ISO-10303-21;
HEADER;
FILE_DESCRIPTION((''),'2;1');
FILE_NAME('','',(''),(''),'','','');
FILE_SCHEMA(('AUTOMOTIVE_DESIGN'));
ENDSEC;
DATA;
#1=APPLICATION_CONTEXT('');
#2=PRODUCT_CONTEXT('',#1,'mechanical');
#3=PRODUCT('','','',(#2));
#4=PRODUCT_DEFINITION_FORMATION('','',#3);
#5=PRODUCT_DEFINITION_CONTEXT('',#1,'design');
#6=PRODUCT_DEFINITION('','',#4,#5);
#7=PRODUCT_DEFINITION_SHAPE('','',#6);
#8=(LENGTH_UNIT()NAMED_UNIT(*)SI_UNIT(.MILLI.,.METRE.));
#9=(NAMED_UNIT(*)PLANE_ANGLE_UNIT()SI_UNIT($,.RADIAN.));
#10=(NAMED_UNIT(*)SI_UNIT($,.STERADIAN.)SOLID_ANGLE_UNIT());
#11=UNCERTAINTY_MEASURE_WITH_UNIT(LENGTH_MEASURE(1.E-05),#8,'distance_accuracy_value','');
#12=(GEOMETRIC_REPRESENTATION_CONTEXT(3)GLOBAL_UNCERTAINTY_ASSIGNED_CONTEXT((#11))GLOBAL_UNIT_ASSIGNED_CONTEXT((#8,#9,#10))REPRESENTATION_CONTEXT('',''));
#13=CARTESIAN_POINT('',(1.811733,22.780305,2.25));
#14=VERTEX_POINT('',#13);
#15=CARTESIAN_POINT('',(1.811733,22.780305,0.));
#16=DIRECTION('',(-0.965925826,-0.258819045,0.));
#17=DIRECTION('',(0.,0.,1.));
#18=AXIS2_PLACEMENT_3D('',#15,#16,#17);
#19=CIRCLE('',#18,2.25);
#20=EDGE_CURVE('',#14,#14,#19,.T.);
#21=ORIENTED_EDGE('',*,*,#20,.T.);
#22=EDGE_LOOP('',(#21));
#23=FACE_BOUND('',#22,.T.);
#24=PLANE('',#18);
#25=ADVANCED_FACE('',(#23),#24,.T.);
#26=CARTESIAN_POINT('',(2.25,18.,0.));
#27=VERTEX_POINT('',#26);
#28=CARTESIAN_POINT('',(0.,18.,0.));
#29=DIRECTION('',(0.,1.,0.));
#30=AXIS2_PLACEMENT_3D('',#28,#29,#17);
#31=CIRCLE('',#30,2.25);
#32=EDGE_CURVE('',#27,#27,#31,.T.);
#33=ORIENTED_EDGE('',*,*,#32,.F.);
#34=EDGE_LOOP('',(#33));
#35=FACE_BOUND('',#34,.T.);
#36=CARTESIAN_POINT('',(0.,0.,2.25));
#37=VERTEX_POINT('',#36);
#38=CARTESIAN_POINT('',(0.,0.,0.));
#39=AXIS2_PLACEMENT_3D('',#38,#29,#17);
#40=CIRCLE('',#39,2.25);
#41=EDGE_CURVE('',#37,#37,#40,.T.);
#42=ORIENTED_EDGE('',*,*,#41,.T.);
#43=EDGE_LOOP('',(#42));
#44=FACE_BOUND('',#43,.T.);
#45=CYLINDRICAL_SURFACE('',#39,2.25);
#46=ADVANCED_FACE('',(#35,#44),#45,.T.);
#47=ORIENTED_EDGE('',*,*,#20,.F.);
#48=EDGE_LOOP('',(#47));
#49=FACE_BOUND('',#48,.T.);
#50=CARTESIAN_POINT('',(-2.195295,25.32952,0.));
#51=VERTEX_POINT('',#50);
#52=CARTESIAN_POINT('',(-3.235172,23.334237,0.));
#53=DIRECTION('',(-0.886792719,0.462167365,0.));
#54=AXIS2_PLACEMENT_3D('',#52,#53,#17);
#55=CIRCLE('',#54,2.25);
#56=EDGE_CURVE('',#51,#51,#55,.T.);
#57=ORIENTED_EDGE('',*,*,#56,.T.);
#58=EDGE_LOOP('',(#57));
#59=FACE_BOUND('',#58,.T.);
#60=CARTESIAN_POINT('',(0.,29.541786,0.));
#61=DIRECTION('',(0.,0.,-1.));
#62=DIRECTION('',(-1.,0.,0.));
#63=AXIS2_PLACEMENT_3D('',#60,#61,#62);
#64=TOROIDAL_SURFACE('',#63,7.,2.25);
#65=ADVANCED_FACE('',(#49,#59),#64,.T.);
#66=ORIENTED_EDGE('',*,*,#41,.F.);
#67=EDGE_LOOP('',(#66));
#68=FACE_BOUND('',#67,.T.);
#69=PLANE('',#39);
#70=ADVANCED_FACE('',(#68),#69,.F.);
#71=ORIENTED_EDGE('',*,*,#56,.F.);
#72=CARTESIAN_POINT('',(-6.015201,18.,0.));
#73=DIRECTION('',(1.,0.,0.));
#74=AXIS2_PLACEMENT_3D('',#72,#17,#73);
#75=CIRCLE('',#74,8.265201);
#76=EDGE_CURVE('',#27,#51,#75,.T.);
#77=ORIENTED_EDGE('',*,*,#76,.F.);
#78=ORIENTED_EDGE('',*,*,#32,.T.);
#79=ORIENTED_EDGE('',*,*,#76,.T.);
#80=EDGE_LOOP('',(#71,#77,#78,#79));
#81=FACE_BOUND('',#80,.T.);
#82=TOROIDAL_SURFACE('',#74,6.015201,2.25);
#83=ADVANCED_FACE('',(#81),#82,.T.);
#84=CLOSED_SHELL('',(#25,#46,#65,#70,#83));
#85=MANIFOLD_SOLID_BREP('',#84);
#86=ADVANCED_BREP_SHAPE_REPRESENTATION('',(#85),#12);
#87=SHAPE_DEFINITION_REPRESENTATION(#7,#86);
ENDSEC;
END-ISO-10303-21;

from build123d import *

# Parameters (mm, degrees)
SKETCH2_R = 2.25


with BuildPart() as part:
    # Sweep1: sweep along a path in Sketch1
    with BuildLine(Plane.XY) as sweep1_path:
        Line((0, 0), (0, 18))
        ThreePointArc((0, 18), (-0.871997764, 21.119311468), (-3.235171554, 23.334236697))
        ThreePointArc((-3.235171554, 23.334236697), (0.763710809, 36.5), (1.811733316, 22.780304948))
    # Sketch2 → Sweep1 (sweep)
    with BuildSketch(Plane(origin=(0, 0, 0), x_dir=(1, 0, 0), z_dir=(0, 1, 0))):
        Circle(SKETCH2_R)
    sweep(path=sweep1_path.line)


solid = part.part
